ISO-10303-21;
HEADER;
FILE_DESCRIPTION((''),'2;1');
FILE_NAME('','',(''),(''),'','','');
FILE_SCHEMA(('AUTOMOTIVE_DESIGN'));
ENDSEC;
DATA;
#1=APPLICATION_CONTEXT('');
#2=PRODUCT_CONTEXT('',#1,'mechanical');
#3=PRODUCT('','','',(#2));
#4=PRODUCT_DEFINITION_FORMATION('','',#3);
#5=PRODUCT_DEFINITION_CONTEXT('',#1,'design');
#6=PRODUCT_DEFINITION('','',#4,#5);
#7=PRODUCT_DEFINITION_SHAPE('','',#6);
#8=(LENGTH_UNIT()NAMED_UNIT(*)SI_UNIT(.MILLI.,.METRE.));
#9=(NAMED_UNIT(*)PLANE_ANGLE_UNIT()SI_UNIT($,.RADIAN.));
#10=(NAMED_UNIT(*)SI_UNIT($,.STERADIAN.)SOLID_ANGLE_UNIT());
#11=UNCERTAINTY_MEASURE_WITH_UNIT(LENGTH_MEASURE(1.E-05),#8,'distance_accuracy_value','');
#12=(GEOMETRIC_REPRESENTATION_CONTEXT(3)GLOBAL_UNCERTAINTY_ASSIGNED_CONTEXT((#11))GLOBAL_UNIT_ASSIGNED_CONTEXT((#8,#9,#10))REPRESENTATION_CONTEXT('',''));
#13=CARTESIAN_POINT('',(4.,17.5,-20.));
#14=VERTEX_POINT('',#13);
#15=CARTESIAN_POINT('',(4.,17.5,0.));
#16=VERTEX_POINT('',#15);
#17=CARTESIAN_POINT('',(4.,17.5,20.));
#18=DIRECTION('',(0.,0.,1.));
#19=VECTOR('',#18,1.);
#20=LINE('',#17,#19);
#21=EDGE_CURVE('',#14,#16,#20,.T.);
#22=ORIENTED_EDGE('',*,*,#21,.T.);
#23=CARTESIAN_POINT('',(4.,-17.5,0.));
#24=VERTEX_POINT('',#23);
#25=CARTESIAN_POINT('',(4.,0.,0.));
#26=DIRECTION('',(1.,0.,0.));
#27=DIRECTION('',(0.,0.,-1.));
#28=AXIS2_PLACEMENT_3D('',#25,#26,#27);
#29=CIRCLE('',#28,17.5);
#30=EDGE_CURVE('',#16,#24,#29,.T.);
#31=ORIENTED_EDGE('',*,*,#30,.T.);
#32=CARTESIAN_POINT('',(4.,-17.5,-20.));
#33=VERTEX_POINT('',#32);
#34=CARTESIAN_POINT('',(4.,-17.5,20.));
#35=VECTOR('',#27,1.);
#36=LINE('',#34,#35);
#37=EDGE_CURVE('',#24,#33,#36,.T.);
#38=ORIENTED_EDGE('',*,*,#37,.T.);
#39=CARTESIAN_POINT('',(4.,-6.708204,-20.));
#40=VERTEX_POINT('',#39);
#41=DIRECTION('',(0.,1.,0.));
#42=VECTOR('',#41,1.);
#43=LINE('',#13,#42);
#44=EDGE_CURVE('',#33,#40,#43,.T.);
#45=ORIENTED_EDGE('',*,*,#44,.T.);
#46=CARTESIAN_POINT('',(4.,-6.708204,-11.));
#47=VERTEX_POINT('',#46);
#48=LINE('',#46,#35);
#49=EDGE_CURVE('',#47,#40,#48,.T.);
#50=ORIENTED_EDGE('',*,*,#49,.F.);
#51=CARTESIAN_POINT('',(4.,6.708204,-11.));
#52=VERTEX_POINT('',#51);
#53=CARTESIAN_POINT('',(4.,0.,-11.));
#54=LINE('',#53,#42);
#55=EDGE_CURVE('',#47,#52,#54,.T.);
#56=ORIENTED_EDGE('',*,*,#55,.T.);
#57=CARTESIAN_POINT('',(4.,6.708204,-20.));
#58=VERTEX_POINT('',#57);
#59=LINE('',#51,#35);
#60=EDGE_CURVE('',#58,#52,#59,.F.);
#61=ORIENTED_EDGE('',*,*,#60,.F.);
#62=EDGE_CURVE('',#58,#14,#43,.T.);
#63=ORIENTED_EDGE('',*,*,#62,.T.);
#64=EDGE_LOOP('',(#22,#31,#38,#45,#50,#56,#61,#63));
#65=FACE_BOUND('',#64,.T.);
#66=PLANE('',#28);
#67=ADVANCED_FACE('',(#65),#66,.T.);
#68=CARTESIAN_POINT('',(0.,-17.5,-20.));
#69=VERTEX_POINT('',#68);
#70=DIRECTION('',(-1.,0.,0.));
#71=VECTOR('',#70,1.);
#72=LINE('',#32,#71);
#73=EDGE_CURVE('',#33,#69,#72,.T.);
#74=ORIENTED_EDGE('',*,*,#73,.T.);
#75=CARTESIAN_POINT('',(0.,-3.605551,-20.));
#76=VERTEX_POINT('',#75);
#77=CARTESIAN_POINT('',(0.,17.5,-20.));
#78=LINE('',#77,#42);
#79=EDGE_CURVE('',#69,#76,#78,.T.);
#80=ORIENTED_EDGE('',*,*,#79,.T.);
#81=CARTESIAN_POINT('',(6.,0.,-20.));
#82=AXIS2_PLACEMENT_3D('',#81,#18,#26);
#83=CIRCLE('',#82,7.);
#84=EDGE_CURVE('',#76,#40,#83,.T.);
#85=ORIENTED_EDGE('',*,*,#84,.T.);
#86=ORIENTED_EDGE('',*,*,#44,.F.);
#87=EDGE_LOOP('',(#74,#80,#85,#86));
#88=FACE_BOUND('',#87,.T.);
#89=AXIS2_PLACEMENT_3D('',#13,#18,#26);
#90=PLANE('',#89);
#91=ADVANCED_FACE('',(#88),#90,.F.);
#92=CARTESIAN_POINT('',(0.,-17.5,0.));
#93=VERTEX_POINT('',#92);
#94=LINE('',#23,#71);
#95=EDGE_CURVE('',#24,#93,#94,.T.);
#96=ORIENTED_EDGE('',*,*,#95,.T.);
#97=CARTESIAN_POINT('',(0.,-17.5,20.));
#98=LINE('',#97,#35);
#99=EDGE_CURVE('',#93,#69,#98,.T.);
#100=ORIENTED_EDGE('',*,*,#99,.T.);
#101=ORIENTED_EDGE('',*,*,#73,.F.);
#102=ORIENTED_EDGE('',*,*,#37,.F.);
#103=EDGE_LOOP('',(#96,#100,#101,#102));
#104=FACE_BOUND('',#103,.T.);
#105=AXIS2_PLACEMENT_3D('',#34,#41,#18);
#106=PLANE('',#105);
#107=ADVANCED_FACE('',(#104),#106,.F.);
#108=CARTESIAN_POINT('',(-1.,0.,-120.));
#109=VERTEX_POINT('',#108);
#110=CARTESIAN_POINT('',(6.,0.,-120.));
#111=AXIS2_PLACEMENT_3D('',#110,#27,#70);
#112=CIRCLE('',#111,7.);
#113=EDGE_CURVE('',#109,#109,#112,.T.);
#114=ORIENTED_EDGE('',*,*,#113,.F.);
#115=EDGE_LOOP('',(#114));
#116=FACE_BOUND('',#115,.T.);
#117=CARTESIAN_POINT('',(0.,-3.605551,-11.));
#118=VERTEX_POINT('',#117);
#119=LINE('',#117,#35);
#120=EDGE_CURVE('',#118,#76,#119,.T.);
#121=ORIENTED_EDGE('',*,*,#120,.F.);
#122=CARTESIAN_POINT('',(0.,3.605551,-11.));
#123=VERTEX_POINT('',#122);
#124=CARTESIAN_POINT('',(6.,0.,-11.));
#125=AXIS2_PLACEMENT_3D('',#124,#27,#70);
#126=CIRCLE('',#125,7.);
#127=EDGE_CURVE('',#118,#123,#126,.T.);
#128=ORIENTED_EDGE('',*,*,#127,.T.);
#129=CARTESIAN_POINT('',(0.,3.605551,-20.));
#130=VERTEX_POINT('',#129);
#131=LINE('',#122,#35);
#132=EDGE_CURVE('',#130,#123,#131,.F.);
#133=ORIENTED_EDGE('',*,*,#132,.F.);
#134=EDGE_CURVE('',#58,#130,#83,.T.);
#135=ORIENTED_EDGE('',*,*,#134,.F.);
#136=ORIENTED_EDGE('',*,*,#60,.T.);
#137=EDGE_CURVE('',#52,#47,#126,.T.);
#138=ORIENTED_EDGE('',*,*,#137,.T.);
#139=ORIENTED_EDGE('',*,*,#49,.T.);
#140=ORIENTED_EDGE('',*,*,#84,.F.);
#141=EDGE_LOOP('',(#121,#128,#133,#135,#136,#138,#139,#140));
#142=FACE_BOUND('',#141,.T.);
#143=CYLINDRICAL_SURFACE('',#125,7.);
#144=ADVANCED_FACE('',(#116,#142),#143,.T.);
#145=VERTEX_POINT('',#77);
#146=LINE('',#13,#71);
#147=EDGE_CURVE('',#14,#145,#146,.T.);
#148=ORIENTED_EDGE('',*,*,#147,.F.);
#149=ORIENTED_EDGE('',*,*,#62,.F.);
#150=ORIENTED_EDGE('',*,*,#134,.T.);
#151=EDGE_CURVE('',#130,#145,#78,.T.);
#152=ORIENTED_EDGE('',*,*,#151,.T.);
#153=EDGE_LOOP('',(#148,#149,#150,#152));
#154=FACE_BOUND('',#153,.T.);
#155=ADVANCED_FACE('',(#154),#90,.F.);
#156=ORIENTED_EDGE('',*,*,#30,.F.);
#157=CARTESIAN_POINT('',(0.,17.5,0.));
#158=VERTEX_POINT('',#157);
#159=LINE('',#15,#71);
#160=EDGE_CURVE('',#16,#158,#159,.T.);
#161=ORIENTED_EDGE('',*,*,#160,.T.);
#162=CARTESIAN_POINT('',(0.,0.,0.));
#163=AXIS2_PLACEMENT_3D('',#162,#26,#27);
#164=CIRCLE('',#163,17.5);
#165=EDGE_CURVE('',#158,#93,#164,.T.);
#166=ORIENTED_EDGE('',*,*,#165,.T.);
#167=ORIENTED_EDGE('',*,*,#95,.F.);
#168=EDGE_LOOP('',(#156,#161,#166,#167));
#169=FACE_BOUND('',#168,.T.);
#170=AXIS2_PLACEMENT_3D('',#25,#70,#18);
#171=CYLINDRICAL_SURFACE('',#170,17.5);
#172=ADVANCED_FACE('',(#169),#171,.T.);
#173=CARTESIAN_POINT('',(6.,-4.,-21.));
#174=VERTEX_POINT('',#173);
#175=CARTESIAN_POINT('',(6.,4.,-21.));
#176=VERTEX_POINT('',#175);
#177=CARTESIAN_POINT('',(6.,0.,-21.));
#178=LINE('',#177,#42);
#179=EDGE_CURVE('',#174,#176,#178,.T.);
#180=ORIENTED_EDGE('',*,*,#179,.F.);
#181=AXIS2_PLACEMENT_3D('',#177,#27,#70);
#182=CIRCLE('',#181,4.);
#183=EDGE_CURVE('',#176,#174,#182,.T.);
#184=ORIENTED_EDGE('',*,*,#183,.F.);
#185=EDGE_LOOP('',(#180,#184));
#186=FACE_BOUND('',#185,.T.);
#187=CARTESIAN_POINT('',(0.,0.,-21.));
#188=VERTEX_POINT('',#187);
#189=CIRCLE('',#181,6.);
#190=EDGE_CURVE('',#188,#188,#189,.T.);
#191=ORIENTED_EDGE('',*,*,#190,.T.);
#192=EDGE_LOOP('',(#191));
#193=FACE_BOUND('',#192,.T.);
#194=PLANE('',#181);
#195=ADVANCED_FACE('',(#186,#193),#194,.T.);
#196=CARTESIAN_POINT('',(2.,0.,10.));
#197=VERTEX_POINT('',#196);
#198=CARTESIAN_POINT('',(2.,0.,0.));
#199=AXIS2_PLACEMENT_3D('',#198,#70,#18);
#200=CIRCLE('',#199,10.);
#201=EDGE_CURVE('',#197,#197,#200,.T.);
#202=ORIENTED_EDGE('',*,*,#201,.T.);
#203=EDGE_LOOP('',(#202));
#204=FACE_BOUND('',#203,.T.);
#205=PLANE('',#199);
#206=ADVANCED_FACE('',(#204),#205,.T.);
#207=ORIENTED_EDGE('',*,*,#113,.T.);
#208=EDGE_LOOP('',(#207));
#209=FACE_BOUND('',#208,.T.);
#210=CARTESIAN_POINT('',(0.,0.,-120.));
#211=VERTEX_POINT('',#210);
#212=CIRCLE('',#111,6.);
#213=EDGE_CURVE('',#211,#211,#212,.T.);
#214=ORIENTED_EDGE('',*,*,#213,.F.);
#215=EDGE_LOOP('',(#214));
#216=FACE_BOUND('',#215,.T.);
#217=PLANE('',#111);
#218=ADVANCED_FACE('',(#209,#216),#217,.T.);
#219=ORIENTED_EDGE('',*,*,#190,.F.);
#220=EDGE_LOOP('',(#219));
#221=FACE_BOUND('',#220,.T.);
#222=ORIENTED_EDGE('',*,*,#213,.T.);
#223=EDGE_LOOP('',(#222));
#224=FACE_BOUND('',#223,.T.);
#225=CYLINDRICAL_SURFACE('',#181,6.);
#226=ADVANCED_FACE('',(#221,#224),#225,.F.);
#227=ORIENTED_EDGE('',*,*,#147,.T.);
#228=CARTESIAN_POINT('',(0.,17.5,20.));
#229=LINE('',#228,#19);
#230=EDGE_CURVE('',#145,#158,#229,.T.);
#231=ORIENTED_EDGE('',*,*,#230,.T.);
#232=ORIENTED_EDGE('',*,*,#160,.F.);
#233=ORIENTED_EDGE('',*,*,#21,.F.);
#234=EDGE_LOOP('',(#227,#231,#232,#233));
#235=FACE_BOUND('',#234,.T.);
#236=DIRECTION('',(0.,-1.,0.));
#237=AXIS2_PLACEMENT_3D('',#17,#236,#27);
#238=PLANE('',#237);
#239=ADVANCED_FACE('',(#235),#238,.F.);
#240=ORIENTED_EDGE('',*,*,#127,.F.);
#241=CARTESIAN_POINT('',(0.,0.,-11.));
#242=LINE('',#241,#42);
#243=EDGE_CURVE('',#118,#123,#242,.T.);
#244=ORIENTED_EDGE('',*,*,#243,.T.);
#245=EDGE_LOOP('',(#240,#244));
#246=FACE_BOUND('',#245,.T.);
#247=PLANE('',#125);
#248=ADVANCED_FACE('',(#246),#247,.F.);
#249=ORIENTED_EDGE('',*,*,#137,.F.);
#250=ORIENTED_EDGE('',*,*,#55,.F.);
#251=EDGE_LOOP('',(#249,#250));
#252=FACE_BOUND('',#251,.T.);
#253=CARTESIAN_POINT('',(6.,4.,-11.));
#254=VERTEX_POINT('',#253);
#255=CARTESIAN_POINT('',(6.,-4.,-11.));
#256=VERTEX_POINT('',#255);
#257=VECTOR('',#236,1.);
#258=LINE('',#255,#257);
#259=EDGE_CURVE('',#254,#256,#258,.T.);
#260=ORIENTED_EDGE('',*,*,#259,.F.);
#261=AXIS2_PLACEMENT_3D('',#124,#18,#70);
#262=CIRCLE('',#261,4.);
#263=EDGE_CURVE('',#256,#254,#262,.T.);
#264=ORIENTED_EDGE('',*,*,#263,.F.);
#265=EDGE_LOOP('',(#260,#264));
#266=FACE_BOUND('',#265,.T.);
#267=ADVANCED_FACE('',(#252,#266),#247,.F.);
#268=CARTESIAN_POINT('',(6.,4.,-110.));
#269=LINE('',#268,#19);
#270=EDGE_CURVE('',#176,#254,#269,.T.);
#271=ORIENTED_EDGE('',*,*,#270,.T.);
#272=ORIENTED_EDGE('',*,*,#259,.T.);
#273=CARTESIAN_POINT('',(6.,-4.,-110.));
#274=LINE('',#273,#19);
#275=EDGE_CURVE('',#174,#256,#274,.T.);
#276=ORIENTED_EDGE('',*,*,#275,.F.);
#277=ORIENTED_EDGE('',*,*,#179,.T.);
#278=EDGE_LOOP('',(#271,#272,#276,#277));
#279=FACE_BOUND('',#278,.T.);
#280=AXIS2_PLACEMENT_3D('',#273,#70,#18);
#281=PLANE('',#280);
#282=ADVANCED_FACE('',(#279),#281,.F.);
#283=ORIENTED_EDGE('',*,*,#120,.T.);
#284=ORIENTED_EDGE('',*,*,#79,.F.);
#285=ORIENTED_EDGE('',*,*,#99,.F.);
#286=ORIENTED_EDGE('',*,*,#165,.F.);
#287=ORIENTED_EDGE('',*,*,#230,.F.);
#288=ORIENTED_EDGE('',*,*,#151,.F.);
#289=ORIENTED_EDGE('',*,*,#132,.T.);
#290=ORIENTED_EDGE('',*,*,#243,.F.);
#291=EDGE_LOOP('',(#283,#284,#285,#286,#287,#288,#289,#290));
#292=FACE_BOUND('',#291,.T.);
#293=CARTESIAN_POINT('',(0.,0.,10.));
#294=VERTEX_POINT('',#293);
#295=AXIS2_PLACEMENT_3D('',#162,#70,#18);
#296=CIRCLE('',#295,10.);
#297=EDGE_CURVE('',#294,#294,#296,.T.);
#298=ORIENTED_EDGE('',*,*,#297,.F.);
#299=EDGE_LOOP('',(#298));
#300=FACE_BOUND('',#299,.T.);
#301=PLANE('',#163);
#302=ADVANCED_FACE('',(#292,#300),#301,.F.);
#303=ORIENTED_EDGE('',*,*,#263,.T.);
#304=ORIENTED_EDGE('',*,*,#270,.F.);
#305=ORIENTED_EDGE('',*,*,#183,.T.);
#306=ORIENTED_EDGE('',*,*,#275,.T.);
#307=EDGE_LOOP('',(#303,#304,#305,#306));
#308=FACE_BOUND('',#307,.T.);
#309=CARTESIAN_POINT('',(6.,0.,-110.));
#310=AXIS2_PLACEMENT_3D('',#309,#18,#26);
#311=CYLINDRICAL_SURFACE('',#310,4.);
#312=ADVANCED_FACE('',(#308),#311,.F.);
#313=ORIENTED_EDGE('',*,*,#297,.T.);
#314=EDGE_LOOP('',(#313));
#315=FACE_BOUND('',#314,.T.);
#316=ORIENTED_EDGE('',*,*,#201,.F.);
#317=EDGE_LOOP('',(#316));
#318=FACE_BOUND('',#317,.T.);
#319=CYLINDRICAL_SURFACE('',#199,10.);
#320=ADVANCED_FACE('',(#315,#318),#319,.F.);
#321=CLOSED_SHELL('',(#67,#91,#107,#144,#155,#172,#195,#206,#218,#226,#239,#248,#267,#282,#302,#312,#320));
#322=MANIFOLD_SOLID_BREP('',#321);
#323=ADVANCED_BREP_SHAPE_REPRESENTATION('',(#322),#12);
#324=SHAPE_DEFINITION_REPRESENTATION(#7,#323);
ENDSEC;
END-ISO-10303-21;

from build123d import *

# Parameters (mm, degrees)
ESQUISSE1_W             = 40
ESQUISSE1_H             = 35
BOSS_EXTRU_1_DEPTH      = 4
ESQUISSE2_R             = 10
ENL_V_MAT_EXTRU_1_DEPTH = 2
ENL_V_MAT_EXTRU_2_DEPTH = 27.874709301
BOSS_EXTRU_2_DEPTH      = 100
BOSS_EXTRU_2_DEPTH_BACK = 9
ESQUISSE4_R             = 7
ESQUISSE5_R             = 6
ENL_V_MAT_EXTRU_5_DEPTH = 99
ENL_V_MAT_EXTRU_9_DEPTH = 99


with BuildPart() as part:
    # Esquisse1 → Boss.-Extru.1 (new body)
    with BuildSketch(Plane(origin=(0, 0, 0), x_dir=(0, 0, -1), z_dir=(1, 0, 0))):
        Rectangle(ESQUISSE1_W, ESQUISSE1_H)
    extrude(amount=BOSS_EXTRU_1_DEPTH)

    # Esquisse2 → Enlèv. mat.-Extru.1 (cut)
    with BuildSketch(Plane.ZY):
        Circle(ESQUISSE2_R)
    extrude(amount=-ENL_V_MAT_EXTRU_1_DEPTH, mode=Mode.SUBTRACT)

    # Esquisse3 → Enlèv. mat.-Extru.2 (cut, through all)
    with BuildSketch(Plane.ZY):
        with BuildLine():
            Line((0, -17.5), (20, -17.5))
            Line((20, -17.5), (20, 17.5))
            Line((20, 17.5), (0, 17.5))
            ThreePointArc((0, 17.5), (17.5, 0), (0, -17.5))
        make_face()
    extrude(amount=-ENL_V_MAT_EXTRU_2_DEPTH, mode=Mode.SUBTRACT)

    # Esquisse4 → Boss.-Extru.2 (add, two sides: drawn at the far end of the back side and taken through both)
    with BuildSketch(Plane(origin=(0, 0, -20), x_dir=(-1, 0, 0), z_dir=(0, 0, -1)).offset(-BOSS_EXTRU_2_DEPTH_BACK)):
        with Locations((-6, 0)):
            Circle(ESQUISSE4_R)
    extrude(amount=BOSS_EXTRU_2_DEPTH + BOSS_EXTRU_2_DEPTH_BACK)

    # Esquisse5 → Enlèv. mat.-Extru.5 (cut)
    with BuildSketch(Plane(origin=(0, 0, -120), x_dir=(-1, 0, 0), z_dir=(0, 0, -1))):
        with Locations((-6, 0)):
            Circle(ESQUISSE5_R)
    extrude(amount=-ENL_V_MAT_EXTRU_5_DEPTH, mode=Mode.SUBTRACT)

    # Esquisse10 → Enlèv. mat.-Extru.9 (cut)
    with BuildSketch(Plane.XY.offset(-11)):
        with BuildLine():
            Line((6, -4), (6, 4))
            ThreePointArc((6, 4), (10, 0), (6, -4))
        make_face()
    extrude(amount=-ENL_V_MAT_EXTRU_9_DEPTH, mode=Mode.SUBTRACT)


solid = part.part
